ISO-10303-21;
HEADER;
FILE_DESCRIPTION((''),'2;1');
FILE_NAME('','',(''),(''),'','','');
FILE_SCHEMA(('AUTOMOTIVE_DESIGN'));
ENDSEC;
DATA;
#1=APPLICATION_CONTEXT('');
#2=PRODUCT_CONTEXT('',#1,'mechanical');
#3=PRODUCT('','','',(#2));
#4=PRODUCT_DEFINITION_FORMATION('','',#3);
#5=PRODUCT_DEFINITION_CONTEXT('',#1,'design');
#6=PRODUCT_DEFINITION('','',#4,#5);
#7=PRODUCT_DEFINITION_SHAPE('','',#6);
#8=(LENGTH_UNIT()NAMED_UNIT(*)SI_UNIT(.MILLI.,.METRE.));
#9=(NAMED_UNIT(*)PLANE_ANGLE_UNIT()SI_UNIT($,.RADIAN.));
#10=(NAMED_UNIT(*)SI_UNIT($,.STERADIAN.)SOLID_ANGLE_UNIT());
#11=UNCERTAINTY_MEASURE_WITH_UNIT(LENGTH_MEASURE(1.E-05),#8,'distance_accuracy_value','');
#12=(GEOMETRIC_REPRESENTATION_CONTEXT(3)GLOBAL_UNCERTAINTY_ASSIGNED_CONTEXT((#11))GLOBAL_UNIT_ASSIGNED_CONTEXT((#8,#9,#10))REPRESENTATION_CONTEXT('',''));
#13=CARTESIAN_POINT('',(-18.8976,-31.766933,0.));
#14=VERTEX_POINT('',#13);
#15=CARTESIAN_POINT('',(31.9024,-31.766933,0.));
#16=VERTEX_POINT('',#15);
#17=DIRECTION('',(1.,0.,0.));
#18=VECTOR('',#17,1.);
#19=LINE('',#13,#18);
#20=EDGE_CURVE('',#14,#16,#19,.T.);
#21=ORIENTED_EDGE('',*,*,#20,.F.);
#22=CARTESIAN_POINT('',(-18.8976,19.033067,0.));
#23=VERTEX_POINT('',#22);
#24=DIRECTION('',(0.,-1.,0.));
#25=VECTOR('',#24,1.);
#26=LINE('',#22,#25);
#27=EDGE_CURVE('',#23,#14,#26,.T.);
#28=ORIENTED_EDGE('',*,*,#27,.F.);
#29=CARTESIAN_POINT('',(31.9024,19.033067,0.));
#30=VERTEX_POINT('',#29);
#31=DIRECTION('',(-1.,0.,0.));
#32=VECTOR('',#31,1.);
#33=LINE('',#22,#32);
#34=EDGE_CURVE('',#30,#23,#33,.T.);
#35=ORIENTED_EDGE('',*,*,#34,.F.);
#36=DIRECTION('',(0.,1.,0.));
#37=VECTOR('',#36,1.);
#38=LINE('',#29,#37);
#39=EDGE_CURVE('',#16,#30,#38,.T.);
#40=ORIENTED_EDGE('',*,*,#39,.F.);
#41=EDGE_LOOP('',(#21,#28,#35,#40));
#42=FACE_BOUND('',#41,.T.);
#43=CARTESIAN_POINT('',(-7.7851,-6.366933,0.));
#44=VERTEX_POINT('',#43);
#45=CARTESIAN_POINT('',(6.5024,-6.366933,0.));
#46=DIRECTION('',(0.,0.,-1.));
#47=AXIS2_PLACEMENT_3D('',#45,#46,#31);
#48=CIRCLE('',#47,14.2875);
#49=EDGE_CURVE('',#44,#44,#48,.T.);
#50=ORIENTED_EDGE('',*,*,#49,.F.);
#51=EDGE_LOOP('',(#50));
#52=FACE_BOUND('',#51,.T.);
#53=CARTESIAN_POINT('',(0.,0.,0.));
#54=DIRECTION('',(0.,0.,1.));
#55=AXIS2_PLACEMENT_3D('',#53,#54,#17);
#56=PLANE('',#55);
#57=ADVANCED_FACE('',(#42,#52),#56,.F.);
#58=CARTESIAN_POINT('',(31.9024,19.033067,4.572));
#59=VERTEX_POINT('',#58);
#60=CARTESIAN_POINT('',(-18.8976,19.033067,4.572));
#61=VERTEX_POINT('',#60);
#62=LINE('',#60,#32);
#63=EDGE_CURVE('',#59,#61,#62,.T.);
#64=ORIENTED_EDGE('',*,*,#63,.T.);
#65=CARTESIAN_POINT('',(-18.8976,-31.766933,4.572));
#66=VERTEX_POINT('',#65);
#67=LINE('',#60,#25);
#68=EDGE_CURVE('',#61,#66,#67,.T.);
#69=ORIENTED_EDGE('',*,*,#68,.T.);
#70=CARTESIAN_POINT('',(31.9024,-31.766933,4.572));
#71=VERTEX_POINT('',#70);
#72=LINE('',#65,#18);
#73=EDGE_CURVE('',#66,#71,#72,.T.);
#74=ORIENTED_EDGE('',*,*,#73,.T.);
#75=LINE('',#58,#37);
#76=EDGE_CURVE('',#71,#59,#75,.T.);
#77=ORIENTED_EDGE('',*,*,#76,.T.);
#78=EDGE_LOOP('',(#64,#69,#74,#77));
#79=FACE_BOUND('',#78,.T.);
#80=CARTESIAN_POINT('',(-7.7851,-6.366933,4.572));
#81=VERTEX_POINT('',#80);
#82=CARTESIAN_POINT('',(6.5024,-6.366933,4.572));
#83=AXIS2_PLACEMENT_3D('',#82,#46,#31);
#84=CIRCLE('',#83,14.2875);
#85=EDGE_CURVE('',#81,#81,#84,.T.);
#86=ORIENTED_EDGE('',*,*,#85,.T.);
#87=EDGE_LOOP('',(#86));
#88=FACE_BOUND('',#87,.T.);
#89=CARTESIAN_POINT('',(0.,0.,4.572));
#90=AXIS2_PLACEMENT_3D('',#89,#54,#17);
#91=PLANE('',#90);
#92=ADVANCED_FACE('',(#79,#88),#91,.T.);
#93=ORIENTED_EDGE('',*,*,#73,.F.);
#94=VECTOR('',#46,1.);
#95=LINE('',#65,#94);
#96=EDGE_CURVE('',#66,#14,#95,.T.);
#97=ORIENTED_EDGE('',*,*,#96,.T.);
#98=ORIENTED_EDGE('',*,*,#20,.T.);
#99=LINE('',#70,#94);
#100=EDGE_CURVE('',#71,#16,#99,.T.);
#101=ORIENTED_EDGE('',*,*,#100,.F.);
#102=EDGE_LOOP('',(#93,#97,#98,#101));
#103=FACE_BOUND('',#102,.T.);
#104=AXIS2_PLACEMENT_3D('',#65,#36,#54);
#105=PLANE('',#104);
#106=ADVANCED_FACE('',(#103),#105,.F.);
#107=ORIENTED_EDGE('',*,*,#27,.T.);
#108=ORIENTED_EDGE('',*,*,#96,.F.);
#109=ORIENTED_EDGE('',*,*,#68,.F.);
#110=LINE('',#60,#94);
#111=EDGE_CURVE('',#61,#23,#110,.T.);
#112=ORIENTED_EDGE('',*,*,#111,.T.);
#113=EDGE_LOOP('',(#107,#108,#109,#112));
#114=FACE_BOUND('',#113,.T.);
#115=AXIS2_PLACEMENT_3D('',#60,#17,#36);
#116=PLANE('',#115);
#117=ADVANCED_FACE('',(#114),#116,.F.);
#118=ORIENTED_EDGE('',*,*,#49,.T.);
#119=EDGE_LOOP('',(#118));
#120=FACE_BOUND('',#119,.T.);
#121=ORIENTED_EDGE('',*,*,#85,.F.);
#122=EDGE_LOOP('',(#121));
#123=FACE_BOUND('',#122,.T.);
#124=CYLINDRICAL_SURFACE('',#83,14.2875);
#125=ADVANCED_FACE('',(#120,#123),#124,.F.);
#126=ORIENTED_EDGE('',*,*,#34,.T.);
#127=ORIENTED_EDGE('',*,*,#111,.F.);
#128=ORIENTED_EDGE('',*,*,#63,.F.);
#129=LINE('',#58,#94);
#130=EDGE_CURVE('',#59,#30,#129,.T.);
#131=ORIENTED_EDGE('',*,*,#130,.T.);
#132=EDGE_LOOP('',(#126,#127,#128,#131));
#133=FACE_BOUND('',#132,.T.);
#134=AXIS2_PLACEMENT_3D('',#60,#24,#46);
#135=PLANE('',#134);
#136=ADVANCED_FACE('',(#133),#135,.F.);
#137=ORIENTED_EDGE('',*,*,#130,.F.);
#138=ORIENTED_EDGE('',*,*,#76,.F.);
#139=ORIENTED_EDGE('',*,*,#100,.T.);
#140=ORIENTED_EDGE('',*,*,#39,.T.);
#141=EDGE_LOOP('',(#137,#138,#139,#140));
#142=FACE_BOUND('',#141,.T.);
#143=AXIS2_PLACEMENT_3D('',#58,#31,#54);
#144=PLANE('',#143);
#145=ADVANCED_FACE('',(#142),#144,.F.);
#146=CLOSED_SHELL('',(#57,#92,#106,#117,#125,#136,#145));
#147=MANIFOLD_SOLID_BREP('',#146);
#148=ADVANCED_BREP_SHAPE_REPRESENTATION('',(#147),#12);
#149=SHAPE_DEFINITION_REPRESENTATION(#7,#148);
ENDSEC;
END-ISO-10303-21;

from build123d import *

# Parameters (mm, degrees)
SKETCH1_W           = 50.8
SKETCH1_H           = 50.8
BOSS_EXTRUDE1_DEPTH = 4.572
CUT_EXTRUDE1_DEPTH  = 4.572


with BuildPart() as part:
    # Sketch1 → Boss-Extrude1 (new body)
    with BuildSketch(Plane.XY):
        with Locations((6.5024, -6.366933333)):
            Rectangle(SKETCH1_W, SKETCH1_H)
    extrude(amount=BOSS_EXTRUDE1_DEPTH)

    # Sketch2 → Cut-Extrude1 (cut)
    with BuildSketch(Plane(origin=(0, 0, 0), x_dir=(-1, 0, 0), z_dir=(0, 0, -1))):
        with BuildLine():
            ThreePointArc((7.7851, -6.366933333), (3.600388136, 3.735854803), (-6.5024, 7.920566667))
            Line((-6.5024, 7.920566667), (-6.5024, -6.366933333))
            Line((-6.5024, -6.366933333), (7.7851, -6.366933333))
        make_face()
        with BuildLine():
            Line((-6.5024, -6.366933333), (-6.5024, 7.920566667))
            ThreePointArc((-6.5024, 7.920566667), (-16.605188136, 3.735854803), (-20.7899, -6.366933333))
            Line((-20.7899, -6.366933333), (-6.5024, -6.366933333))
        make_face()
        with BuildLine():
            Line((7.7851, -6.366933333), (-6.5024, -6.366933333))
            Line((-6.5024, -6.366933333), (-6.5024, -20.654433333))
            ThreePointArc((-6.5024, -20.654433333), (3.600388136, -16.46972147), (7.7851, -6.366933333))
        make_face()
        with BuildLine():
            Line((-6.5024, -20.654433333), (-6.5024, -6.366933333))
            Line((-6.5024, -6.366933333), (-20.7899, -6.366933333))
            ThreePointArc((-20.7899, -6.366933333), (-16.605188136, -16.46972147), (-6.5024, -20.654433333))
        make_face()
    extrude(amount=-CUT_EXTRUDE1_DEPTH, mode=Mode.SUBTRACT)


solid = part.part
